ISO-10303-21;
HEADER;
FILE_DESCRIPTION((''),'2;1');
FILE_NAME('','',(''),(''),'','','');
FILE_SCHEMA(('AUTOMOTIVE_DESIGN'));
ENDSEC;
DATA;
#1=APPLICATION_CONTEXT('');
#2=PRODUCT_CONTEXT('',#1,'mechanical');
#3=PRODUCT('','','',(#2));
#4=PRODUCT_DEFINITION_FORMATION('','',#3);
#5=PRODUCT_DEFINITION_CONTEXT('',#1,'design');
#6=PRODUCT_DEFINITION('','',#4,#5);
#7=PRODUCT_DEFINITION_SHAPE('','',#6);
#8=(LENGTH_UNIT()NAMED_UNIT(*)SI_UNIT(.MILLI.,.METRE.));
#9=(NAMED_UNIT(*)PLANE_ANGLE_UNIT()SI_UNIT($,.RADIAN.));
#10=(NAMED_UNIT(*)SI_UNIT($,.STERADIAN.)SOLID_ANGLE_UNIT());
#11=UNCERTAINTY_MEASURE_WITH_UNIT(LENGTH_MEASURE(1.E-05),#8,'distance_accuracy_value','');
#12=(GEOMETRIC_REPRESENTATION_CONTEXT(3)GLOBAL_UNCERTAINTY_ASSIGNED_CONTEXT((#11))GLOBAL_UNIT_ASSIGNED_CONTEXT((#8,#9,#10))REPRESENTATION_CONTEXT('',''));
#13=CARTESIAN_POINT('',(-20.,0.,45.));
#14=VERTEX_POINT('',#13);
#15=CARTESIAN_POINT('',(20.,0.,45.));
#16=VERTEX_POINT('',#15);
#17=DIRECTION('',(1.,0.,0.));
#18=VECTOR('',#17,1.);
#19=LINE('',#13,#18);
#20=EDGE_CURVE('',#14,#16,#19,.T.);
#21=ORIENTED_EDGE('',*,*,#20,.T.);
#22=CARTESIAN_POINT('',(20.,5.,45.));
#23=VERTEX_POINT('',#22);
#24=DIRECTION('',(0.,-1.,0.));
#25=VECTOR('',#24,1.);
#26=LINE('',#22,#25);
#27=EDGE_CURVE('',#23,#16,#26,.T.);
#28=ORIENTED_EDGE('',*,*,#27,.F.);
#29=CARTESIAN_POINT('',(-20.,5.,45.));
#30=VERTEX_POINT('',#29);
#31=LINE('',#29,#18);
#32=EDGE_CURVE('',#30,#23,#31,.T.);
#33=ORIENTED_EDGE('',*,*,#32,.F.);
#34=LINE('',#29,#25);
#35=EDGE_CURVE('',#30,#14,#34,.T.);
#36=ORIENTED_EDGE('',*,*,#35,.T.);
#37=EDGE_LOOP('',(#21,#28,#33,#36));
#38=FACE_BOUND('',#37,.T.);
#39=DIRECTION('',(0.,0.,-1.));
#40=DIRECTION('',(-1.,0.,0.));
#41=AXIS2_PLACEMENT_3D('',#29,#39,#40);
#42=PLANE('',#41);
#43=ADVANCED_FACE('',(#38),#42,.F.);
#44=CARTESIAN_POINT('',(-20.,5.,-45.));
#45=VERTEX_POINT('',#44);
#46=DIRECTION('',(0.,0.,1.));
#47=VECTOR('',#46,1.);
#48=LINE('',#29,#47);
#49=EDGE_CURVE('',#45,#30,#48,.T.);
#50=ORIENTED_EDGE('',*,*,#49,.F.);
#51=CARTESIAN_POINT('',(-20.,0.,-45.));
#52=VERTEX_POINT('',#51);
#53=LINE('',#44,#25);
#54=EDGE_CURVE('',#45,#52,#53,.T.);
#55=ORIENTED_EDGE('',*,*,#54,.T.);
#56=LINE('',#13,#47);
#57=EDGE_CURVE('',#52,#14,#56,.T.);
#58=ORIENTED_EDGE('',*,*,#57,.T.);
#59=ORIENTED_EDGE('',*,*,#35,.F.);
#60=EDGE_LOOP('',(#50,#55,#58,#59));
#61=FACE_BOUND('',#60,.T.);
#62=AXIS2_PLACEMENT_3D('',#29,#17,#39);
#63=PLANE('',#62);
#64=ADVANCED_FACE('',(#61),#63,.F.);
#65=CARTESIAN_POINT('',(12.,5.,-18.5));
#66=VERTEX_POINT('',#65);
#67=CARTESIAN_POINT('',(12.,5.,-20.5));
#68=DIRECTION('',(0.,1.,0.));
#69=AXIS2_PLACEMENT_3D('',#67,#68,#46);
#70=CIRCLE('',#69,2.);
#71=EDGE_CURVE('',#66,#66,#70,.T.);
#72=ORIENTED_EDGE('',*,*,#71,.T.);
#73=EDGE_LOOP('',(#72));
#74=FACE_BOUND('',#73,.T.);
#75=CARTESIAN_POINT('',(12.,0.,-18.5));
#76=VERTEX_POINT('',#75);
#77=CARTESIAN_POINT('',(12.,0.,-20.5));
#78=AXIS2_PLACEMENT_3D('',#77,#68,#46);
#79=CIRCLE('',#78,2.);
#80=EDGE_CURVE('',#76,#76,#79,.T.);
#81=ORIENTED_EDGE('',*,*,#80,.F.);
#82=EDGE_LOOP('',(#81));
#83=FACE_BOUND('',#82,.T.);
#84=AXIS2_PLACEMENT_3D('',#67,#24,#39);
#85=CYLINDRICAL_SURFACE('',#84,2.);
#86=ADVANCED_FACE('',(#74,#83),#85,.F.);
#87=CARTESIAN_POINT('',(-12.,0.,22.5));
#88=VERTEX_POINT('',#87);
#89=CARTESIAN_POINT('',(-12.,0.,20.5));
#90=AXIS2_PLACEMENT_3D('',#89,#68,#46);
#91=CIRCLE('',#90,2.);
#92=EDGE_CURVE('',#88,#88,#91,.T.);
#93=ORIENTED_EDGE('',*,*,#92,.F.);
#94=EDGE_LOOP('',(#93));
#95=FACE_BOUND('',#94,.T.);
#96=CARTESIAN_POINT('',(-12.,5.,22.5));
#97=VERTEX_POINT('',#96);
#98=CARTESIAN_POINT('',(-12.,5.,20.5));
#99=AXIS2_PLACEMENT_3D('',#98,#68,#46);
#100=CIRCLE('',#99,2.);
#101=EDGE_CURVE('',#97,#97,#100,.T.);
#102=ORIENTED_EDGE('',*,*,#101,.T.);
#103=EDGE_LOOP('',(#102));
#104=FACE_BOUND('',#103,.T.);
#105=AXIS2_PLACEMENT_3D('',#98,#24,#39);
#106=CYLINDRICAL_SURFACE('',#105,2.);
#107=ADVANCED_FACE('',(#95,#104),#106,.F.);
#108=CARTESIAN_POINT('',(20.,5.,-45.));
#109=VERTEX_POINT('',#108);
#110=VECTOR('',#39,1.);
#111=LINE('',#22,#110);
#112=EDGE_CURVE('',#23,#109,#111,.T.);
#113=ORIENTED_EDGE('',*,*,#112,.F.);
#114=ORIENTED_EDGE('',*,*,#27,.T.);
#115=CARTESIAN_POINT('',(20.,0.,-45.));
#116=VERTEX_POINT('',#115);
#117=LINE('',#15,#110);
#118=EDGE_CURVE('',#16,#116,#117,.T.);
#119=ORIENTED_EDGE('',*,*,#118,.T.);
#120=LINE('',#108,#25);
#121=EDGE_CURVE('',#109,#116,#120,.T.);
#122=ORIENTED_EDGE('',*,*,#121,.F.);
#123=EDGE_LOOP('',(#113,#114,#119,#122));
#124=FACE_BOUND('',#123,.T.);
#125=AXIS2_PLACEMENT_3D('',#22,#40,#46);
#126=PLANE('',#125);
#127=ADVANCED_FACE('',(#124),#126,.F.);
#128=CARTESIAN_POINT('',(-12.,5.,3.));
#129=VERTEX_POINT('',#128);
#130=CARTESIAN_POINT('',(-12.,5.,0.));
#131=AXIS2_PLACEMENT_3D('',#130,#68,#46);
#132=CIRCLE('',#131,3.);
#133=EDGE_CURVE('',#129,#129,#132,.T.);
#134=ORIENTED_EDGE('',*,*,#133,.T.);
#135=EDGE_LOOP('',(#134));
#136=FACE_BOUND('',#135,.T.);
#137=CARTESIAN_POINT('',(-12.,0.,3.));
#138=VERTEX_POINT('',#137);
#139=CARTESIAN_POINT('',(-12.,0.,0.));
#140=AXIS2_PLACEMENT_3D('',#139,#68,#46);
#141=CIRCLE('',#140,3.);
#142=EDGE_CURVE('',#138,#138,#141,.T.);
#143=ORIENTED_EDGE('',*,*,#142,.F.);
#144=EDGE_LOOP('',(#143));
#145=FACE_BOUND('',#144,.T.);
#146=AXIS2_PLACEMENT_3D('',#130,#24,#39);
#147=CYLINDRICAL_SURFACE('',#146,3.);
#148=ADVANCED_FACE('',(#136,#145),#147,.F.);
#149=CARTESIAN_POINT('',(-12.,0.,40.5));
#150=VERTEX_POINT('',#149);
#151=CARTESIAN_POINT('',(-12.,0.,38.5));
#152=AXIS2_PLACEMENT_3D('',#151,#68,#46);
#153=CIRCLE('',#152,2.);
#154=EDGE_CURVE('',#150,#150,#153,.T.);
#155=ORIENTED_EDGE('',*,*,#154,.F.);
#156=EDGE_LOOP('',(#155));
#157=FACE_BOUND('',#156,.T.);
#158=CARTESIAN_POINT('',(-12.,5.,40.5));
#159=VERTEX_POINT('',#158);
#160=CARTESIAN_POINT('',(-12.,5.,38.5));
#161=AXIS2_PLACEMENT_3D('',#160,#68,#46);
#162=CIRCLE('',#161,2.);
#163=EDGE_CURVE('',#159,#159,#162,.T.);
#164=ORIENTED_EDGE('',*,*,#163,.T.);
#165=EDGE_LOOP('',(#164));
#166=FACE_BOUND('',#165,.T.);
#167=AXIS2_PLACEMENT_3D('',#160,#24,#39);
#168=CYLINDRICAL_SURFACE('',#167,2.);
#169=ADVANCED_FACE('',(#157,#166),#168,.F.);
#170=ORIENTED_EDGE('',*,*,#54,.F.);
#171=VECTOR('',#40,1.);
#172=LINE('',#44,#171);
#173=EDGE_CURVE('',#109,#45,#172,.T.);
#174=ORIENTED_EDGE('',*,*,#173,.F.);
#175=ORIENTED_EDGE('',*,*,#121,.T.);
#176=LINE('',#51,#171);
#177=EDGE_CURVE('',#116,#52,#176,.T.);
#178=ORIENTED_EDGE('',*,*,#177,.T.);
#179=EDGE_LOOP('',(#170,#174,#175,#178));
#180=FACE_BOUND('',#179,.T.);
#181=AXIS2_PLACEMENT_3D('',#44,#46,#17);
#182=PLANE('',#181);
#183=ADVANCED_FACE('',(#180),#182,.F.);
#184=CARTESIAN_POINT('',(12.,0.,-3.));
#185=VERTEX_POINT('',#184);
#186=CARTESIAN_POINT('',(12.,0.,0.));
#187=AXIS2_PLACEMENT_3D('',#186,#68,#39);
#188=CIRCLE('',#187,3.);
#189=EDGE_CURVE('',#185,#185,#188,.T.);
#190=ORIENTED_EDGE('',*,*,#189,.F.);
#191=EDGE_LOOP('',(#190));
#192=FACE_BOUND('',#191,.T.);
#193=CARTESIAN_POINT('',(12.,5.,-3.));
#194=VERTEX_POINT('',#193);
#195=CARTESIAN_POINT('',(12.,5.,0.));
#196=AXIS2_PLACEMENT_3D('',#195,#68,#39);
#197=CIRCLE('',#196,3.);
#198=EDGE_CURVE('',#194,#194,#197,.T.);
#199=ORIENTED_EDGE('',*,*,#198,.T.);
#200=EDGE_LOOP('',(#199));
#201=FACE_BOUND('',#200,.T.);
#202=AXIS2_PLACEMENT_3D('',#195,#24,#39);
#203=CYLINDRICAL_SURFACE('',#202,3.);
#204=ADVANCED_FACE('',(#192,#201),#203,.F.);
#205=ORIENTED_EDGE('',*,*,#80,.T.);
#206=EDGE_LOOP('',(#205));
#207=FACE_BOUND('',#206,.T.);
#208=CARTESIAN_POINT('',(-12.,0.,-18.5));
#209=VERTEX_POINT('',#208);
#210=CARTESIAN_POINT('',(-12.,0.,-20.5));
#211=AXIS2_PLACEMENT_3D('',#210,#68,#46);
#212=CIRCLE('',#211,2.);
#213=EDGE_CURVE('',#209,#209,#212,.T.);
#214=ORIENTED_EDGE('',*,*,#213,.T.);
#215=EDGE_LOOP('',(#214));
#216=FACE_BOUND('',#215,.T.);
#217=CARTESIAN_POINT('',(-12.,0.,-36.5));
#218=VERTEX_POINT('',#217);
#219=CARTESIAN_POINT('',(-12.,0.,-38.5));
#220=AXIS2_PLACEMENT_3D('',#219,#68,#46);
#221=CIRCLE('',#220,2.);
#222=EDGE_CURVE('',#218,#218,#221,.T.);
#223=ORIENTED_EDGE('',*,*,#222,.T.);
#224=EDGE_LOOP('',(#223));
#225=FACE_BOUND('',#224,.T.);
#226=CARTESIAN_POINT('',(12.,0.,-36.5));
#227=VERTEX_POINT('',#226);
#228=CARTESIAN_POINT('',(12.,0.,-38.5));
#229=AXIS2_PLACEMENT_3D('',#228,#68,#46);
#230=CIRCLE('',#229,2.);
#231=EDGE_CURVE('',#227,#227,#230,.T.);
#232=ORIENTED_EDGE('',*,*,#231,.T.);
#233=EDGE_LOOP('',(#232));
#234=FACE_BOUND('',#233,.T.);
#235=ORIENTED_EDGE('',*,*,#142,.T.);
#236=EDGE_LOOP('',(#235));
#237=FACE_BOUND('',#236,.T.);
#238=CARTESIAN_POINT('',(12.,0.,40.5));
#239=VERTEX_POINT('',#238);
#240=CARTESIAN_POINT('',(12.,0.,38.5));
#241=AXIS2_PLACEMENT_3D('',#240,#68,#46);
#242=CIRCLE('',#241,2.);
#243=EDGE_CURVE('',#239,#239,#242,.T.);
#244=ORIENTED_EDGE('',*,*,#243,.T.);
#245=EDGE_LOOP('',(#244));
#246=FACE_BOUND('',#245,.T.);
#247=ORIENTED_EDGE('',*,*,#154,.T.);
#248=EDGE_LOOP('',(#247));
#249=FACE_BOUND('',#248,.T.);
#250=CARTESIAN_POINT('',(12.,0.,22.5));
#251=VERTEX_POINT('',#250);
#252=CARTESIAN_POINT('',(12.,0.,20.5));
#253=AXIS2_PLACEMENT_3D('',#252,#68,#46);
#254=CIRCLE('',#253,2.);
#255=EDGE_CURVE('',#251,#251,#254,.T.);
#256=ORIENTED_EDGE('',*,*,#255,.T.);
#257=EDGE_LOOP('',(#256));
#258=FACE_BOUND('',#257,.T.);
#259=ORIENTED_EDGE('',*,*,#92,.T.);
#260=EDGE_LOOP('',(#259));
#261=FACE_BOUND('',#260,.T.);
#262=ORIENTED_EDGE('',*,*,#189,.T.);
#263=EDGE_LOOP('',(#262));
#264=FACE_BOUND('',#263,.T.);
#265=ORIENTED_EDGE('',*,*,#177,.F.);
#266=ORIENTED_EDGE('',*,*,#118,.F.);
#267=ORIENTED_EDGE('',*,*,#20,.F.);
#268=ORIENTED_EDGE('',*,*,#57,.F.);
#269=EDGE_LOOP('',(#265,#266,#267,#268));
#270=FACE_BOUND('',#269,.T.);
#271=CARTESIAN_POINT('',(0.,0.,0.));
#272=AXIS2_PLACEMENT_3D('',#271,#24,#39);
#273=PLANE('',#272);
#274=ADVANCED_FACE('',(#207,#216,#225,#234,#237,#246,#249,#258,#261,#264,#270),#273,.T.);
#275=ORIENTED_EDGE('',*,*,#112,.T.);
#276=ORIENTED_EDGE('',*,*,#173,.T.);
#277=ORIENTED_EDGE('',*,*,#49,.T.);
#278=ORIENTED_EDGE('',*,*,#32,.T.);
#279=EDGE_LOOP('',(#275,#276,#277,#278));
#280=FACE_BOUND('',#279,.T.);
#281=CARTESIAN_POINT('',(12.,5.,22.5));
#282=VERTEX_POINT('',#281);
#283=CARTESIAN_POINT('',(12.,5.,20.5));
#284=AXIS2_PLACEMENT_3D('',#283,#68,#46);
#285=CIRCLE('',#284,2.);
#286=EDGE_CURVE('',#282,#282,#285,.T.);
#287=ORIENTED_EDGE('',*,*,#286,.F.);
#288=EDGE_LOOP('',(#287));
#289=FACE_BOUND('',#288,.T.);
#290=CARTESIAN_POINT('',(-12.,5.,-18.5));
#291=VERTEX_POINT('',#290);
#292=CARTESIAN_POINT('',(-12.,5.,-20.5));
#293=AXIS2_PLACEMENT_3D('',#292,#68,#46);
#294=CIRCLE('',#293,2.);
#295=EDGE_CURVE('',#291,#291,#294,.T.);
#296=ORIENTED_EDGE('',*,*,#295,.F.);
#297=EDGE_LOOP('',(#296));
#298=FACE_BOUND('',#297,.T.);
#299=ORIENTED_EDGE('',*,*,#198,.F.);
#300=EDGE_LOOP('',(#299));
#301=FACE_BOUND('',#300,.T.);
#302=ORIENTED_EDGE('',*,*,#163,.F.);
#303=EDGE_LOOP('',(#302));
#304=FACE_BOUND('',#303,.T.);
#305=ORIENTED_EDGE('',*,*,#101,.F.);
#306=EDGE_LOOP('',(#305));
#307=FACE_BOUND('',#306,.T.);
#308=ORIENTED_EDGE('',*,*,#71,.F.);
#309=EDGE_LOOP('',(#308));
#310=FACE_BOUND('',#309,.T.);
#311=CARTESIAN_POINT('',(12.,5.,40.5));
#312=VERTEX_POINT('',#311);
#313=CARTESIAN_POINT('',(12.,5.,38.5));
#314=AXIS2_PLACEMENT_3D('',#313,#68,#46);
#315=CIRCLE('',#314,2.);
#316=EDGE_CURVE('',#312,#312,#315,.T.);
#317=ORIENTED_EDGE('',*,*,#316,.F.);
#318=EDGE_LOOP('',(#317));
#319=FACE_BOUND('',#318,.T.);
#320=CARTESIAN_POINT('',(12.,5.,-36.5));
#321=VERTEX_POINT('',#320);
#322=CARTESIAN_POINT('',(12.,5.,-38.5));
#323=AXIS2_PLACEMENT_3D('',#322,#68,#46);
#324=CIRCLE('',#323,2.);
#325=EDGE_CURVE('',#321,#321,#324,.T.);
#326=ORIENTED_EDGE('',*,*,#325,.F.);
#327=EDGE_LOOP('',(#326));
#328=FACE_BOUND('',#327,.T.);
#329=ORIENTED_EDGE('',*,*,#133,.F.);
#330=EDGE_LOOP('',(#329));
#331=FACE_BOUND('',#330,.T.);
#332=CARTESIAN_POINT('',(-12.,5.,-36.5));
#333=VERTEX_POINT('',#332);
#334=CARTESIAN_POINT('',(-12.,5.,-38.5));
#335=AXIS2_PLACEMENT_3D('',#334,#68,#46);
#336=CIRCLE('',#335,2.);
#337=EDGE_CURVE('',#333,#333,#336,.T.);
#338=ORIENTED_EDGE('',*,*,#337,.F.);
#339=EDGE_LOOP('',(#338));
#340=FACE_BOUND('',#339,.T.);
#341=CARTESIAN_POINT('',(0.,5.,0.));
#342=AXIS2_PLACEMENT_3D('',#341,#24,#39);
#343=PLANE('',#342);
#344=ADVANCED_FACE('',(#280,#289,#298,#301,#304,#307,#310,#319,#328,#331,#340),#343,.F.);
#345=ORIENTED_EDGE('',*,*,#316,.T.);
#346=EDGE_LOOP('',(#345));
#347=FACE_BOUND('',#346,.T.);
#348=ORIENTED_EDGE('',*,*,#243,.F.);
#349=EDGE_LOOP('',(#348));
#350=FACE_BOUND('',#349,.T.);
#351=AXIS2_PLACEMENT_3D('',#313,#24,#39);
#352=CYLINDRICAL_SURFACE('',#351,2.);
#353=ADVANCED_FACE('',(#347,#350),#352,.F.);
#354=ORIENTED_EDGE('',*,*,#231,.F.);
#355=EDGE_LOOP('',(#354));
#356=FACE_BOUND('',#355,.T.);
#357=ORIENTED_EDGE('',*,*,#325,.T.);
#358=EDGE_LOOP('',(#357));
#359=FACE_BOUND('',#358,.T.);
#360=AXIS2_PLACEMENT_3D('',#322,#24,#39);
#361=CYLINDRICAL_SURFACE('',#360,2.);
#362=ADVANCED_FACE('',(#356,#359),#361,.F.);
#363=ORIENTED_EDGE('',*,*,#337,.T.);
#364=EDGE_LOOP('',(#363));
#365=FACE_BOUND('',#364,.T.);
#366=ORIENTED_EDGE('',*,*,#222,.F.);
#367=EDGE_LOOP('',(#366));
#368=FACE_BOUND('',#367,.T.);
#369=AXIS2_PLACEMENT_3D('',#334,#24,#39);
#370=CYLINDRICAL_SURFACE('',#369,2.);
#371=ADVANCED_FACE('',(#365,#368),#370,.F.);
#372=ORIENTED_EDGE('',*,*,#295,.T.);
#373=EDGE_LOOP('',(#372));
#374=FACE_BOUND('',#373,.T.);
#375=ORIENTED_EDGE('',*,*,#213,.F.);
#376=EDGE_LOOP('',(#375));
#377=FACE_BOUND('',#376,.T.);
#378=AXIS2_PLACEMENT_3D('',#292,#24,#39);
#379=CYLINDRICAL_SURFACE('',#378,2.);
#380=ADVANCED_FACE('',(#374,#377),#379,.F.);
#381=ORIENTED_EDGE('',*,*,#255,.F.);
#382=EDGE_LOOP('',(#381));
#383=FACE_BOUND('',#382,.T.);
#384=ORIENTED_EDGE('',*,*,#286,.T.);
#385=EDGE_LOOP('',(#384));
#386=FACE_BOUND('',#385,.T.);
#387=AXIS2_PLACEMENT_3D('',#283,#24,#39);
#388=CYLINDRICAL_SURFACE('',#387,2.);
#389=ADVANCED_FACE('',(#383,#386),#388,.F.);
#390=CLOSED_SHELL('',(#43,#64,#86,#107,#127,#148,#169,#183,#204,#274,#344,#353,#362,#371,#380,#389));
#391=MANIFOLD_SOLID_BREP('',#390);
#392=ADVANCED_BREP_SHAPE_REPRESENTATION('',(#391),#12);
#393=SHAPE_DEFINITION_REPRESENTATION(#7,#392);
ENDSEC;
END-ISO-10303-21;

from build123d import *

# Parameters (mm, degrees)
SKETCH1_W           = 40
SKETCH1_H           = 90
SKETCH1_R           = 2
SKETCH1_R_2         = 3
BOSS_EXTRUDE1_DEPTH = 5


with BuildPart() as part:
    # Sketch1 → Boss-Extrude1 (new body)
    with BuildSketch(Plane(origin=(0, 0, 0), x_dir=(1, 0, 0), z_dir=(0, 1, 0))):
        Rectangle(SKETCH1_W, SKETCH1_H)
        with Locations(Location((-12, -38.5, 0), (0, 0, 270))):
            Circle(SKETCH1_R, mode=Mode.SUBTRACT)
        with Locations(Location((-12, -20.5, 0), (0, 0, 270))):
            Circle(SKETCH1_R, mode=Mode.SUBTRACT)
        with Locations(Location((-12, 20.5, 0), (0, 0, 270))):
            Circle(SKETCH1_R, mode=Mode.SUBTRACT)
        with Locations(Location((-12, 38.5, 0), (0, 0, 270))):
            Circle(SKETCH1_R, mode=Mode.SUBTRACT)
        with Locations(Location((12, 38.5, 0), (0, 0, 270))):
            Circle(SKETCH1_R, mode=Mode.SUBTRACT)
        with Locations(Location((12, -20.5, 0), (0, 0, 270))):
            Circle(SKETCH1_R, mode=Mode.SUBTRACT)
        with Locations(Location((12, -38.5, 0), (0, 0, 270))):
            Circle(SKETCH1_R, mode=Mode.SUBTRACT)
        with Locations(Location((12, 20.5, 0), (0, 0, 270))):
            Circle(SKETCH1_R, mode=Mode.SUBTRACT)
        with Locations(Location((-12, 0, 0), (0, 0, 270))):
            Circle(SKETCH1_R_2, mode=Mode.SUBTRACT)
        with Locations(Location((12, 0, 0), (0, 0, 90))):
            Circle(SKETCH1_R_2, mode=Mode.SUBTRACT)
    extrude(amount=BOSS_EXTRUDE1_DEPTH)


solid = part.part
